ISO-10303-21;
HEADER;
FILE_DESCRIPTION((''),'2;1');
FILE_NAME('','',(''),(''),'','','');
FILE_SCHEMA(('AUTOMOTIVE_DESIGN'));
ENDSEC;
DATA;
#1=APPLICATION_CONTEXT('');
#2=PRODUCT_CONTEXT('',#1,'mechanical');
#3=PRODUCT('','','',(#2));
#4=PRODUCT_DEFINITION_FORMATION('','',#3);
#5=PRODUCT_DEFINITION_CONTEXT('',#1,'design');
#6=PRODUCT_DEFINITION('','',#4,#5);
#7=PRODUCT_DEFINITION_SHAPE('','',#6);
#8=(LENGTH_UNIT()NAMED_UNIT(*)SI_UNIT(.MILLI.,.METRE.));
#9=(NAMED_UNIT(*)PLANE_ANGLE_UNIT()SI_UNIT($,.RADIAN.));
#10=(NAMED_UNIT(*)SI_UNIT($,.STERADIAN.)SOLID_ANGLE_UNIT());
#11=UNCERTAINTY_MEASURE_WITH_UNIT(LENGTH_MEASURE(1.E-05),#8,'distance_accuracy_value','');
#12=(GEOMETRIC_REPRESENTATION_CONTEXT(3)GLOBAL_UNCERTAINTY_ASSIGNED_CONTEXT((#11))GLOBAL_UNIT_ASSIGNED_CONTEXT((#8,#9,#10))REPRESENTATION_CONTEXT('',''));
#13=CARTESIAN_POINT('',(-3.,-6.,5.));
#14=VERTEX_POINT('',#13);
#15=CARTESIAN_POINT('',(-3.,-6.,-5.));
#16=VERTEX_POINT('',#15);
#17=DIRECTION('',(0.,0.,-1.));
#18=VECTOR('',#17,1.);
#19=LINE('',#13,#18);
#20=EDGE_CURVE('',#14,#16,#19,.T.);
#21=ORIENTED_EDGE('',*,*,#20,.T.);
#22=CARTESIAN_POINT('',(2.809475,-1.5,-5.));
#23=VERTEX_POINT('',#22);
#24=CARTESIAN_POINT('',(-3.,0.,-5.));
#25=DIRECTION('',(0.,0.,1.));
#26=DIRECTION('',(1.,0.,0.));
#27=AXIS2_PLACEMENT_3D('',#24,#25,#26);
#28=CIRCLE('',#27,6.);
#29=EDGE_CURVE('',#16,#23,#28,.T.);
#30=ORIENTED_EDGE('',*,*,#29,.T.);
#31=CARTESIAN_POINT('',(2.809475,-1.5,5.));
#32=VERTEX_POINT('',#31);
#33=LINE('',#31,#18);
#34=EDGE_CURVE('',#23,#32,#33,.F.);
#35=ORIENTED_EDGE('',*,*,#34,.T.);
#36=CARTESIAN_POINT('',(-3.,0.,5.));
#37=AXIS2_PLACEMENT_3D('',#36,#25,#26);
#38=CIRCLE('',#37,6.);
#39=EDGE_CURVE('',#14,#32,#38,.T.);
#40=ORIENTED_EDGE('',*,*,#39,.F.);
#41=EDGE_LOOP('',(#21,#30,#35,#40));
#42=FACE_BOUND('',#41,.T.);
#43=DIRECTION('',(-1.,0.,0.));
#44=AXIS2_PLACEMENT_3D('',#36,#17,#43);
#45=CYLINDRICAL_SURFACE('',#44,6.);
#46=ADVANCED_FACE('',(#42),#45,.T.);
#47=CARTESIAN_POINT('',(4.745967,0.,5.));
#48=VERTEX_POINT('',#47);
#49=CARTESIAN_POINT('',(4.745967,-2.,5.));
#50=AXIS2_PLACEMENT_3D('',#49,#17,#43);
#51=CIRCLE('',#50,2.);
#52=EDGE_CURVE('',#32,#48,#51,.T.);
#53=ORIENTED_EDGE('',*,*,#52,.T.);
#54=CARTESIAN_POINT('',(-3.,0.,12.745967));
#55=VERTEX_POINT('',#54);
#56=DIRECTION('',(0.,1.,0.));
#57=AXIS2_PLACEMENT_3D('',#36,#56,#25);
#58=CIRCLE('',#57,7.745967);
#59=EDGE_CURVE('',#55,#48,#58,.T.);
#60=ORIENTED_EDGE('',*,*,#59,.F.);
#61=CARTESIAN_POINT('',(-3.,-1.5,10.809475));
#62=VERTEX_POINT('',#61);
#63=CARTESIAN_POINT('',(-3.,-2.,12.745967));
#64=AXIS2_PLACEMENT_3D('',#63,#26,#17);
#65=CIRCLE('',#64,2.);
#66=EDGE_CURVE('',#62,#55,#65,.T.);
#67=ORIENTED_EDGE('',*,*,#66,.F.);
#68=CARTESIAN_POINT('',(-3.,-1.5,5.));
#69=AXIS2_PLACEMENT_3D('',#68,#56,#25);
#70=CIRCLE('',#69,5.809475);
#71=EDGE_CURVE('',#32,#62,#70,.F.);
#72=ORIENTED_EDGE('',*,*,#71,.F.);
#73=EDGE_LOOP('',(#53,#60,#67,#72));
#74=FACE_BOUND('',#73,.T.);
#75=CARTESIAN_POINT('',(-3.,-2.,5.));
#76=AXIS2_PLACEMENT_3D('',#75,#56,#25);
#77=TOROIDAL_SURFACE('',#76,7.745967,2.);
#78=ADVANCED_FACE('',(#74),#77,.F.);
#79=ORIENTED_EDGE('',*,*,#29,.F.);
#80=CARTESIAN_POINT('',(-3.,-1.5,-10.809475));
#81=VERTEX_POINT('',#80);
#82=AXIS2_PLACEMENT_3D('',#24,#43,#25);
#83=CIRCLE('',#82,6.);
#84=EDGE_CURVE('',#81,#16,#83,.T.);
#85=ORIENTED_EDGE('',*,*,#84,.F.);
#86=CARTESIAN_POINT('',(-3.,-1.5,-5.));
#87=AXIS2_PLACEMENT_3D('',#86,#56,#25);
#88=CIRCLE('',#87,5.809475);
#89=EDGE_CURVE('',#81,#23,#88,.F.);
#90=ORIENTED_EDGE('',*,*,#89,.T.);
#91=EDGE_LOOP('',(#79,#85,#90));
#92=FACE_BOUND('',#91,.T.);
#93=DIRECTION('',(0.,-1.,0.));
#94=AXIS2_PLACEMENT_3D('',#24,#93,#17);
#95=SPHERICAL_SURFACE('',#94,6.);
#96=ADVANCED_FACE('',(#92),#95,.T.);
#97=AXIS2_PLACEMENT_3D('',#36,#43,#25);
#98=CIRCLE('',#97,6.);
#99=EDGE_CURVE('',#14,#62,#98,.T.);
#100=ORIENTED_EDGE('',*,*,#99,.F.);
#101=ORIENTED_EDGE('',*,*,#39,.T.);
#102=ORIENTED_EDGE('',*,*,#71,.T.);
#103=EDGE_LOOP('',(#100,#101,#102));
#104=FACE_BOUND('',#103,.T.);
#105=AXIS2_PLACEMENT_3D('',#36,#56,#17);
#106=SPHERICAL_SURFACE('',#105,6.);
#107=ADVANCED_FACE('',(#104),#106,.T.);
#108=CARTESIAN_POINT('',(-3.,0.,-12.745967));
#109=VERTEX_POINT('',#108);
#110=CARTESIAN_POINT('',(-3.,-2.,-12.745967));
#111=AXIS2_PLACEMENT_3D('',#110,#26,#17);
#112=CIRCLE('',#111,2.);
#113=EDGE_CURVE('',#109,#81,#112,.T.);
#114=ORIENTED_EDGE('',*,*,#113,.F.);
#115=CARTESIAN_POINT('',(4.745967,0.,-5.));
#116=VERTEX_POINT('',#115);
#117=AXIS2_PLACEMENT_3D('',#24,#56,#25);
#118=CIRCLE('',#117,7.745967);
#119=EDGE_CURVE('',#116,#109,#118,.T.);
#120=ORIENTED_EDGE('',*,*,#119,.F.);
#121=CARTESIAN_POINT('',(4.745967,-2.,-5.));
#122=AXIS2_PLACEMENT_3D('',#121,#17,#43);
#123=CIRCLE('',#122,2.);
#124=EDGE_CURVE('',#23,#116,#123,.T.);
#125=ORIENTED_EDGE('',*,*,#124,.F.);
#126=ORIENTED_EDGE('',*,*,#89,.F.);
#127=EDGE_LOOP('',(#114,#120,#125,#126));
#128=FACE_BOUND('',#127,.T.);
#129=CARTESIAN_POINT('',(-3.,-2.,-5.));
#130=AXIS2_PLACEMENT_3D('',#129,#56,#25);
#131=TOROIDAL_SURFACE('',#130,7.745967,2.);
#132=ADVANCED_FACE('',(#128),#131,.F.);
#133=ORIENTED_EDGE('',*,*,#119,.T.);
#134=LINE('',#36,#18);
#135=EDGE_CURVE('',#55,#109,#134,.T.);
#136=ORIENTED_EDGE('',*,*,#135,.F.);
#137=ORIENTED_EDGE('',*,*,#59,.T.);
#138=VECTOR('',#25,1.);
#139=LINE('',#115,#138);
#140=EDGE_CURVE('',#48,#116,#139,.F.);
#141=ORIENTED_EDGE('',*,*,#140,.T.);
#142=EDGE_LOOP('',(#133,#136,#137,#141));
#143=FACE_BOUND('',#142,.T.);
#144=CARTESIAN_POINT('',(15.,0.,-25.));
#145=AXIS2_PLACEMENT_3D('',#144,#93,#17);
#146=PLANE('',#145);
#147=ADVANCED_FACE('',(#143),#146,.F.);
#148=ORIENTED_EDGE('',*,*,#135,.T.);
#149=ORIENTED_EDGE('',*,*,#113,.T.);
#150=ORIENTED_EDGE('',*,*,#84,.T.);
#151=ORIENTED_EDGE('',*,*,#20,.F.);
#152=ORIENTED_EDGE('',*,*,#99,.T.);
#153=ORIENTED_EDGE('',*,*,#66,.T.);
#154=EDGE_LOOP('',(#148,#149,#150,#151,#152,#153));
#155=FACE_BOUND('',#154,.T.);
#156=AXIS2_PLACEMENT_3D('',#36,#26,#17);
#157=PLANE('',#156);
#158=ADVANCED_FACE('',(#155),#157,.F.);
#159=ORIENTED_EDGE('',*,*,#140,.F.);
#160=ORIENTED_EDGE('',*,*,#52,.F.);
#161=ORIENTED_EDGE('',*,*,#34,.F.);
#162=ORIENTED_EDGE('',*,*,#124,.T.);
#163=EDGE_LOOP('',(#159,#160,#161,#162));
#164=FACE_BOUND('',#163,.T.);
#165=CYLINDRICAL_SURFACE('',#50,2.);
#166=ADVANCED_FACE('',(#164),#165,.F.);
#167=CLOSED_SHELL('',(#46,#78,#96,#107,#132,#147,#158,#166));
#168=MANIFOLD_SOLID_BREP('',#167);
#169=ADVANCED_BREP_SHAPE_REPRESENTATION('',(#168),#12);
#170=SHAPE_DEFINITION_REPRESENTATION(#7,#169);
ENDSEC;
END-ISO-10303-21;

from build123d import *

# Parameters (mm, degrees)
SKETCH1_W           = 30
SKETCH1_H           = 3.464243611
BASE_EXTRUDE_DEPTH  = 25
BOSS_EXTRUDE1_DEPTH = 5
BOSS_REVOLVE2_ANGLE = 90
BOSS_REVOLVE3_ANGLE = 90
FILLET1_R           = 2
SKETCH8_W           = 50
SKETCH8_H           = 3.464243611
CUT_EXTRUDE4_DEPTH  = 40.509492685


with BuildPart() as part:
    # Sketch1 → Base-Extrude (new, symmetric)
    with BuildSketch(Plane.XY):
        with Locations((0, 1.732121806)):
            Rectangle(SKETCH1_W, SKETCH1_H)
    extrude(amount=BASE_EXTRUDE_DEPTH, both=True)

    # Louver Body → Boss-Extrude1 (add, symmetric)
    with BuildSketch(Plane.XY):
        with BuildLine():
            Line((-3, 0), (-3, -6))
            ThreePointArc((-3, -6), (1.242640687, -4.242640687), (3, 0))
            Line((3, 0), (-3, 0))
        make_face()
    extrude(amount=BOSS_EXTRUDE1_DEPTH, both=True)

    # Sketch12 → Boss-Revolve2 (revolve)
    with BuildSketch(Plane.XY.offset(5)):
        with BuildLine():
            Line((3, 0), (-3, 0))
            Line((-3, 0), (-3, -6))
            ThreePointArc((-3, -6), (1.242640687, -4.242640687), (3, 0))
        make_face()
    revolve(axis=Axis((-3, 0, 5), (0, -1, 0)), revolution_arc=BOSS_REVOLVE2_ANGLE)

    # Sketch13 → Boss-Revolve3 (revolve)
    with BuildSketch(Plane(origin=(0, 0, -5), x_dir=(-1, 0, 0), z_dir=(0, 0, -1))):
        with BuildLine():
            Line((3, 0), (-3, 0))
            ThreePointArc((-3, 0), (-1.242640687, -4.242640687), (3, -6))
            Line((3, -6), (3, 0))
        make_face()
    revolve(axis=Axis((-3, -6, -5), (0, 1, 0)), revolution_arc=BOSS_REVOLVE3_ANGLE)

    # Fillet1
    fillet1_edges = [part.edges().sort_by_distance(p)[0] for p in [
        (3, 0, 0),
        (1.242640687, 0, 9.242640687),
        (1.242640687, 0, -9.242640687),
    ]]
    fillet(fillet1_edges, radius=FILLET1_R)

    # Sketch8 → Cut-Extrude4 (cut, through all)
    with BuildSketch(Plane.ZY.offset(15)):
        with Locations((0, 1.732121806)):
            Rectangle(SKETCH8_W, SKETCH8_H)
    extrude(amount=-CUT_EXTRUDE4_DEPTH, mode=Mode.SUBTRACT)


solid = part.part
